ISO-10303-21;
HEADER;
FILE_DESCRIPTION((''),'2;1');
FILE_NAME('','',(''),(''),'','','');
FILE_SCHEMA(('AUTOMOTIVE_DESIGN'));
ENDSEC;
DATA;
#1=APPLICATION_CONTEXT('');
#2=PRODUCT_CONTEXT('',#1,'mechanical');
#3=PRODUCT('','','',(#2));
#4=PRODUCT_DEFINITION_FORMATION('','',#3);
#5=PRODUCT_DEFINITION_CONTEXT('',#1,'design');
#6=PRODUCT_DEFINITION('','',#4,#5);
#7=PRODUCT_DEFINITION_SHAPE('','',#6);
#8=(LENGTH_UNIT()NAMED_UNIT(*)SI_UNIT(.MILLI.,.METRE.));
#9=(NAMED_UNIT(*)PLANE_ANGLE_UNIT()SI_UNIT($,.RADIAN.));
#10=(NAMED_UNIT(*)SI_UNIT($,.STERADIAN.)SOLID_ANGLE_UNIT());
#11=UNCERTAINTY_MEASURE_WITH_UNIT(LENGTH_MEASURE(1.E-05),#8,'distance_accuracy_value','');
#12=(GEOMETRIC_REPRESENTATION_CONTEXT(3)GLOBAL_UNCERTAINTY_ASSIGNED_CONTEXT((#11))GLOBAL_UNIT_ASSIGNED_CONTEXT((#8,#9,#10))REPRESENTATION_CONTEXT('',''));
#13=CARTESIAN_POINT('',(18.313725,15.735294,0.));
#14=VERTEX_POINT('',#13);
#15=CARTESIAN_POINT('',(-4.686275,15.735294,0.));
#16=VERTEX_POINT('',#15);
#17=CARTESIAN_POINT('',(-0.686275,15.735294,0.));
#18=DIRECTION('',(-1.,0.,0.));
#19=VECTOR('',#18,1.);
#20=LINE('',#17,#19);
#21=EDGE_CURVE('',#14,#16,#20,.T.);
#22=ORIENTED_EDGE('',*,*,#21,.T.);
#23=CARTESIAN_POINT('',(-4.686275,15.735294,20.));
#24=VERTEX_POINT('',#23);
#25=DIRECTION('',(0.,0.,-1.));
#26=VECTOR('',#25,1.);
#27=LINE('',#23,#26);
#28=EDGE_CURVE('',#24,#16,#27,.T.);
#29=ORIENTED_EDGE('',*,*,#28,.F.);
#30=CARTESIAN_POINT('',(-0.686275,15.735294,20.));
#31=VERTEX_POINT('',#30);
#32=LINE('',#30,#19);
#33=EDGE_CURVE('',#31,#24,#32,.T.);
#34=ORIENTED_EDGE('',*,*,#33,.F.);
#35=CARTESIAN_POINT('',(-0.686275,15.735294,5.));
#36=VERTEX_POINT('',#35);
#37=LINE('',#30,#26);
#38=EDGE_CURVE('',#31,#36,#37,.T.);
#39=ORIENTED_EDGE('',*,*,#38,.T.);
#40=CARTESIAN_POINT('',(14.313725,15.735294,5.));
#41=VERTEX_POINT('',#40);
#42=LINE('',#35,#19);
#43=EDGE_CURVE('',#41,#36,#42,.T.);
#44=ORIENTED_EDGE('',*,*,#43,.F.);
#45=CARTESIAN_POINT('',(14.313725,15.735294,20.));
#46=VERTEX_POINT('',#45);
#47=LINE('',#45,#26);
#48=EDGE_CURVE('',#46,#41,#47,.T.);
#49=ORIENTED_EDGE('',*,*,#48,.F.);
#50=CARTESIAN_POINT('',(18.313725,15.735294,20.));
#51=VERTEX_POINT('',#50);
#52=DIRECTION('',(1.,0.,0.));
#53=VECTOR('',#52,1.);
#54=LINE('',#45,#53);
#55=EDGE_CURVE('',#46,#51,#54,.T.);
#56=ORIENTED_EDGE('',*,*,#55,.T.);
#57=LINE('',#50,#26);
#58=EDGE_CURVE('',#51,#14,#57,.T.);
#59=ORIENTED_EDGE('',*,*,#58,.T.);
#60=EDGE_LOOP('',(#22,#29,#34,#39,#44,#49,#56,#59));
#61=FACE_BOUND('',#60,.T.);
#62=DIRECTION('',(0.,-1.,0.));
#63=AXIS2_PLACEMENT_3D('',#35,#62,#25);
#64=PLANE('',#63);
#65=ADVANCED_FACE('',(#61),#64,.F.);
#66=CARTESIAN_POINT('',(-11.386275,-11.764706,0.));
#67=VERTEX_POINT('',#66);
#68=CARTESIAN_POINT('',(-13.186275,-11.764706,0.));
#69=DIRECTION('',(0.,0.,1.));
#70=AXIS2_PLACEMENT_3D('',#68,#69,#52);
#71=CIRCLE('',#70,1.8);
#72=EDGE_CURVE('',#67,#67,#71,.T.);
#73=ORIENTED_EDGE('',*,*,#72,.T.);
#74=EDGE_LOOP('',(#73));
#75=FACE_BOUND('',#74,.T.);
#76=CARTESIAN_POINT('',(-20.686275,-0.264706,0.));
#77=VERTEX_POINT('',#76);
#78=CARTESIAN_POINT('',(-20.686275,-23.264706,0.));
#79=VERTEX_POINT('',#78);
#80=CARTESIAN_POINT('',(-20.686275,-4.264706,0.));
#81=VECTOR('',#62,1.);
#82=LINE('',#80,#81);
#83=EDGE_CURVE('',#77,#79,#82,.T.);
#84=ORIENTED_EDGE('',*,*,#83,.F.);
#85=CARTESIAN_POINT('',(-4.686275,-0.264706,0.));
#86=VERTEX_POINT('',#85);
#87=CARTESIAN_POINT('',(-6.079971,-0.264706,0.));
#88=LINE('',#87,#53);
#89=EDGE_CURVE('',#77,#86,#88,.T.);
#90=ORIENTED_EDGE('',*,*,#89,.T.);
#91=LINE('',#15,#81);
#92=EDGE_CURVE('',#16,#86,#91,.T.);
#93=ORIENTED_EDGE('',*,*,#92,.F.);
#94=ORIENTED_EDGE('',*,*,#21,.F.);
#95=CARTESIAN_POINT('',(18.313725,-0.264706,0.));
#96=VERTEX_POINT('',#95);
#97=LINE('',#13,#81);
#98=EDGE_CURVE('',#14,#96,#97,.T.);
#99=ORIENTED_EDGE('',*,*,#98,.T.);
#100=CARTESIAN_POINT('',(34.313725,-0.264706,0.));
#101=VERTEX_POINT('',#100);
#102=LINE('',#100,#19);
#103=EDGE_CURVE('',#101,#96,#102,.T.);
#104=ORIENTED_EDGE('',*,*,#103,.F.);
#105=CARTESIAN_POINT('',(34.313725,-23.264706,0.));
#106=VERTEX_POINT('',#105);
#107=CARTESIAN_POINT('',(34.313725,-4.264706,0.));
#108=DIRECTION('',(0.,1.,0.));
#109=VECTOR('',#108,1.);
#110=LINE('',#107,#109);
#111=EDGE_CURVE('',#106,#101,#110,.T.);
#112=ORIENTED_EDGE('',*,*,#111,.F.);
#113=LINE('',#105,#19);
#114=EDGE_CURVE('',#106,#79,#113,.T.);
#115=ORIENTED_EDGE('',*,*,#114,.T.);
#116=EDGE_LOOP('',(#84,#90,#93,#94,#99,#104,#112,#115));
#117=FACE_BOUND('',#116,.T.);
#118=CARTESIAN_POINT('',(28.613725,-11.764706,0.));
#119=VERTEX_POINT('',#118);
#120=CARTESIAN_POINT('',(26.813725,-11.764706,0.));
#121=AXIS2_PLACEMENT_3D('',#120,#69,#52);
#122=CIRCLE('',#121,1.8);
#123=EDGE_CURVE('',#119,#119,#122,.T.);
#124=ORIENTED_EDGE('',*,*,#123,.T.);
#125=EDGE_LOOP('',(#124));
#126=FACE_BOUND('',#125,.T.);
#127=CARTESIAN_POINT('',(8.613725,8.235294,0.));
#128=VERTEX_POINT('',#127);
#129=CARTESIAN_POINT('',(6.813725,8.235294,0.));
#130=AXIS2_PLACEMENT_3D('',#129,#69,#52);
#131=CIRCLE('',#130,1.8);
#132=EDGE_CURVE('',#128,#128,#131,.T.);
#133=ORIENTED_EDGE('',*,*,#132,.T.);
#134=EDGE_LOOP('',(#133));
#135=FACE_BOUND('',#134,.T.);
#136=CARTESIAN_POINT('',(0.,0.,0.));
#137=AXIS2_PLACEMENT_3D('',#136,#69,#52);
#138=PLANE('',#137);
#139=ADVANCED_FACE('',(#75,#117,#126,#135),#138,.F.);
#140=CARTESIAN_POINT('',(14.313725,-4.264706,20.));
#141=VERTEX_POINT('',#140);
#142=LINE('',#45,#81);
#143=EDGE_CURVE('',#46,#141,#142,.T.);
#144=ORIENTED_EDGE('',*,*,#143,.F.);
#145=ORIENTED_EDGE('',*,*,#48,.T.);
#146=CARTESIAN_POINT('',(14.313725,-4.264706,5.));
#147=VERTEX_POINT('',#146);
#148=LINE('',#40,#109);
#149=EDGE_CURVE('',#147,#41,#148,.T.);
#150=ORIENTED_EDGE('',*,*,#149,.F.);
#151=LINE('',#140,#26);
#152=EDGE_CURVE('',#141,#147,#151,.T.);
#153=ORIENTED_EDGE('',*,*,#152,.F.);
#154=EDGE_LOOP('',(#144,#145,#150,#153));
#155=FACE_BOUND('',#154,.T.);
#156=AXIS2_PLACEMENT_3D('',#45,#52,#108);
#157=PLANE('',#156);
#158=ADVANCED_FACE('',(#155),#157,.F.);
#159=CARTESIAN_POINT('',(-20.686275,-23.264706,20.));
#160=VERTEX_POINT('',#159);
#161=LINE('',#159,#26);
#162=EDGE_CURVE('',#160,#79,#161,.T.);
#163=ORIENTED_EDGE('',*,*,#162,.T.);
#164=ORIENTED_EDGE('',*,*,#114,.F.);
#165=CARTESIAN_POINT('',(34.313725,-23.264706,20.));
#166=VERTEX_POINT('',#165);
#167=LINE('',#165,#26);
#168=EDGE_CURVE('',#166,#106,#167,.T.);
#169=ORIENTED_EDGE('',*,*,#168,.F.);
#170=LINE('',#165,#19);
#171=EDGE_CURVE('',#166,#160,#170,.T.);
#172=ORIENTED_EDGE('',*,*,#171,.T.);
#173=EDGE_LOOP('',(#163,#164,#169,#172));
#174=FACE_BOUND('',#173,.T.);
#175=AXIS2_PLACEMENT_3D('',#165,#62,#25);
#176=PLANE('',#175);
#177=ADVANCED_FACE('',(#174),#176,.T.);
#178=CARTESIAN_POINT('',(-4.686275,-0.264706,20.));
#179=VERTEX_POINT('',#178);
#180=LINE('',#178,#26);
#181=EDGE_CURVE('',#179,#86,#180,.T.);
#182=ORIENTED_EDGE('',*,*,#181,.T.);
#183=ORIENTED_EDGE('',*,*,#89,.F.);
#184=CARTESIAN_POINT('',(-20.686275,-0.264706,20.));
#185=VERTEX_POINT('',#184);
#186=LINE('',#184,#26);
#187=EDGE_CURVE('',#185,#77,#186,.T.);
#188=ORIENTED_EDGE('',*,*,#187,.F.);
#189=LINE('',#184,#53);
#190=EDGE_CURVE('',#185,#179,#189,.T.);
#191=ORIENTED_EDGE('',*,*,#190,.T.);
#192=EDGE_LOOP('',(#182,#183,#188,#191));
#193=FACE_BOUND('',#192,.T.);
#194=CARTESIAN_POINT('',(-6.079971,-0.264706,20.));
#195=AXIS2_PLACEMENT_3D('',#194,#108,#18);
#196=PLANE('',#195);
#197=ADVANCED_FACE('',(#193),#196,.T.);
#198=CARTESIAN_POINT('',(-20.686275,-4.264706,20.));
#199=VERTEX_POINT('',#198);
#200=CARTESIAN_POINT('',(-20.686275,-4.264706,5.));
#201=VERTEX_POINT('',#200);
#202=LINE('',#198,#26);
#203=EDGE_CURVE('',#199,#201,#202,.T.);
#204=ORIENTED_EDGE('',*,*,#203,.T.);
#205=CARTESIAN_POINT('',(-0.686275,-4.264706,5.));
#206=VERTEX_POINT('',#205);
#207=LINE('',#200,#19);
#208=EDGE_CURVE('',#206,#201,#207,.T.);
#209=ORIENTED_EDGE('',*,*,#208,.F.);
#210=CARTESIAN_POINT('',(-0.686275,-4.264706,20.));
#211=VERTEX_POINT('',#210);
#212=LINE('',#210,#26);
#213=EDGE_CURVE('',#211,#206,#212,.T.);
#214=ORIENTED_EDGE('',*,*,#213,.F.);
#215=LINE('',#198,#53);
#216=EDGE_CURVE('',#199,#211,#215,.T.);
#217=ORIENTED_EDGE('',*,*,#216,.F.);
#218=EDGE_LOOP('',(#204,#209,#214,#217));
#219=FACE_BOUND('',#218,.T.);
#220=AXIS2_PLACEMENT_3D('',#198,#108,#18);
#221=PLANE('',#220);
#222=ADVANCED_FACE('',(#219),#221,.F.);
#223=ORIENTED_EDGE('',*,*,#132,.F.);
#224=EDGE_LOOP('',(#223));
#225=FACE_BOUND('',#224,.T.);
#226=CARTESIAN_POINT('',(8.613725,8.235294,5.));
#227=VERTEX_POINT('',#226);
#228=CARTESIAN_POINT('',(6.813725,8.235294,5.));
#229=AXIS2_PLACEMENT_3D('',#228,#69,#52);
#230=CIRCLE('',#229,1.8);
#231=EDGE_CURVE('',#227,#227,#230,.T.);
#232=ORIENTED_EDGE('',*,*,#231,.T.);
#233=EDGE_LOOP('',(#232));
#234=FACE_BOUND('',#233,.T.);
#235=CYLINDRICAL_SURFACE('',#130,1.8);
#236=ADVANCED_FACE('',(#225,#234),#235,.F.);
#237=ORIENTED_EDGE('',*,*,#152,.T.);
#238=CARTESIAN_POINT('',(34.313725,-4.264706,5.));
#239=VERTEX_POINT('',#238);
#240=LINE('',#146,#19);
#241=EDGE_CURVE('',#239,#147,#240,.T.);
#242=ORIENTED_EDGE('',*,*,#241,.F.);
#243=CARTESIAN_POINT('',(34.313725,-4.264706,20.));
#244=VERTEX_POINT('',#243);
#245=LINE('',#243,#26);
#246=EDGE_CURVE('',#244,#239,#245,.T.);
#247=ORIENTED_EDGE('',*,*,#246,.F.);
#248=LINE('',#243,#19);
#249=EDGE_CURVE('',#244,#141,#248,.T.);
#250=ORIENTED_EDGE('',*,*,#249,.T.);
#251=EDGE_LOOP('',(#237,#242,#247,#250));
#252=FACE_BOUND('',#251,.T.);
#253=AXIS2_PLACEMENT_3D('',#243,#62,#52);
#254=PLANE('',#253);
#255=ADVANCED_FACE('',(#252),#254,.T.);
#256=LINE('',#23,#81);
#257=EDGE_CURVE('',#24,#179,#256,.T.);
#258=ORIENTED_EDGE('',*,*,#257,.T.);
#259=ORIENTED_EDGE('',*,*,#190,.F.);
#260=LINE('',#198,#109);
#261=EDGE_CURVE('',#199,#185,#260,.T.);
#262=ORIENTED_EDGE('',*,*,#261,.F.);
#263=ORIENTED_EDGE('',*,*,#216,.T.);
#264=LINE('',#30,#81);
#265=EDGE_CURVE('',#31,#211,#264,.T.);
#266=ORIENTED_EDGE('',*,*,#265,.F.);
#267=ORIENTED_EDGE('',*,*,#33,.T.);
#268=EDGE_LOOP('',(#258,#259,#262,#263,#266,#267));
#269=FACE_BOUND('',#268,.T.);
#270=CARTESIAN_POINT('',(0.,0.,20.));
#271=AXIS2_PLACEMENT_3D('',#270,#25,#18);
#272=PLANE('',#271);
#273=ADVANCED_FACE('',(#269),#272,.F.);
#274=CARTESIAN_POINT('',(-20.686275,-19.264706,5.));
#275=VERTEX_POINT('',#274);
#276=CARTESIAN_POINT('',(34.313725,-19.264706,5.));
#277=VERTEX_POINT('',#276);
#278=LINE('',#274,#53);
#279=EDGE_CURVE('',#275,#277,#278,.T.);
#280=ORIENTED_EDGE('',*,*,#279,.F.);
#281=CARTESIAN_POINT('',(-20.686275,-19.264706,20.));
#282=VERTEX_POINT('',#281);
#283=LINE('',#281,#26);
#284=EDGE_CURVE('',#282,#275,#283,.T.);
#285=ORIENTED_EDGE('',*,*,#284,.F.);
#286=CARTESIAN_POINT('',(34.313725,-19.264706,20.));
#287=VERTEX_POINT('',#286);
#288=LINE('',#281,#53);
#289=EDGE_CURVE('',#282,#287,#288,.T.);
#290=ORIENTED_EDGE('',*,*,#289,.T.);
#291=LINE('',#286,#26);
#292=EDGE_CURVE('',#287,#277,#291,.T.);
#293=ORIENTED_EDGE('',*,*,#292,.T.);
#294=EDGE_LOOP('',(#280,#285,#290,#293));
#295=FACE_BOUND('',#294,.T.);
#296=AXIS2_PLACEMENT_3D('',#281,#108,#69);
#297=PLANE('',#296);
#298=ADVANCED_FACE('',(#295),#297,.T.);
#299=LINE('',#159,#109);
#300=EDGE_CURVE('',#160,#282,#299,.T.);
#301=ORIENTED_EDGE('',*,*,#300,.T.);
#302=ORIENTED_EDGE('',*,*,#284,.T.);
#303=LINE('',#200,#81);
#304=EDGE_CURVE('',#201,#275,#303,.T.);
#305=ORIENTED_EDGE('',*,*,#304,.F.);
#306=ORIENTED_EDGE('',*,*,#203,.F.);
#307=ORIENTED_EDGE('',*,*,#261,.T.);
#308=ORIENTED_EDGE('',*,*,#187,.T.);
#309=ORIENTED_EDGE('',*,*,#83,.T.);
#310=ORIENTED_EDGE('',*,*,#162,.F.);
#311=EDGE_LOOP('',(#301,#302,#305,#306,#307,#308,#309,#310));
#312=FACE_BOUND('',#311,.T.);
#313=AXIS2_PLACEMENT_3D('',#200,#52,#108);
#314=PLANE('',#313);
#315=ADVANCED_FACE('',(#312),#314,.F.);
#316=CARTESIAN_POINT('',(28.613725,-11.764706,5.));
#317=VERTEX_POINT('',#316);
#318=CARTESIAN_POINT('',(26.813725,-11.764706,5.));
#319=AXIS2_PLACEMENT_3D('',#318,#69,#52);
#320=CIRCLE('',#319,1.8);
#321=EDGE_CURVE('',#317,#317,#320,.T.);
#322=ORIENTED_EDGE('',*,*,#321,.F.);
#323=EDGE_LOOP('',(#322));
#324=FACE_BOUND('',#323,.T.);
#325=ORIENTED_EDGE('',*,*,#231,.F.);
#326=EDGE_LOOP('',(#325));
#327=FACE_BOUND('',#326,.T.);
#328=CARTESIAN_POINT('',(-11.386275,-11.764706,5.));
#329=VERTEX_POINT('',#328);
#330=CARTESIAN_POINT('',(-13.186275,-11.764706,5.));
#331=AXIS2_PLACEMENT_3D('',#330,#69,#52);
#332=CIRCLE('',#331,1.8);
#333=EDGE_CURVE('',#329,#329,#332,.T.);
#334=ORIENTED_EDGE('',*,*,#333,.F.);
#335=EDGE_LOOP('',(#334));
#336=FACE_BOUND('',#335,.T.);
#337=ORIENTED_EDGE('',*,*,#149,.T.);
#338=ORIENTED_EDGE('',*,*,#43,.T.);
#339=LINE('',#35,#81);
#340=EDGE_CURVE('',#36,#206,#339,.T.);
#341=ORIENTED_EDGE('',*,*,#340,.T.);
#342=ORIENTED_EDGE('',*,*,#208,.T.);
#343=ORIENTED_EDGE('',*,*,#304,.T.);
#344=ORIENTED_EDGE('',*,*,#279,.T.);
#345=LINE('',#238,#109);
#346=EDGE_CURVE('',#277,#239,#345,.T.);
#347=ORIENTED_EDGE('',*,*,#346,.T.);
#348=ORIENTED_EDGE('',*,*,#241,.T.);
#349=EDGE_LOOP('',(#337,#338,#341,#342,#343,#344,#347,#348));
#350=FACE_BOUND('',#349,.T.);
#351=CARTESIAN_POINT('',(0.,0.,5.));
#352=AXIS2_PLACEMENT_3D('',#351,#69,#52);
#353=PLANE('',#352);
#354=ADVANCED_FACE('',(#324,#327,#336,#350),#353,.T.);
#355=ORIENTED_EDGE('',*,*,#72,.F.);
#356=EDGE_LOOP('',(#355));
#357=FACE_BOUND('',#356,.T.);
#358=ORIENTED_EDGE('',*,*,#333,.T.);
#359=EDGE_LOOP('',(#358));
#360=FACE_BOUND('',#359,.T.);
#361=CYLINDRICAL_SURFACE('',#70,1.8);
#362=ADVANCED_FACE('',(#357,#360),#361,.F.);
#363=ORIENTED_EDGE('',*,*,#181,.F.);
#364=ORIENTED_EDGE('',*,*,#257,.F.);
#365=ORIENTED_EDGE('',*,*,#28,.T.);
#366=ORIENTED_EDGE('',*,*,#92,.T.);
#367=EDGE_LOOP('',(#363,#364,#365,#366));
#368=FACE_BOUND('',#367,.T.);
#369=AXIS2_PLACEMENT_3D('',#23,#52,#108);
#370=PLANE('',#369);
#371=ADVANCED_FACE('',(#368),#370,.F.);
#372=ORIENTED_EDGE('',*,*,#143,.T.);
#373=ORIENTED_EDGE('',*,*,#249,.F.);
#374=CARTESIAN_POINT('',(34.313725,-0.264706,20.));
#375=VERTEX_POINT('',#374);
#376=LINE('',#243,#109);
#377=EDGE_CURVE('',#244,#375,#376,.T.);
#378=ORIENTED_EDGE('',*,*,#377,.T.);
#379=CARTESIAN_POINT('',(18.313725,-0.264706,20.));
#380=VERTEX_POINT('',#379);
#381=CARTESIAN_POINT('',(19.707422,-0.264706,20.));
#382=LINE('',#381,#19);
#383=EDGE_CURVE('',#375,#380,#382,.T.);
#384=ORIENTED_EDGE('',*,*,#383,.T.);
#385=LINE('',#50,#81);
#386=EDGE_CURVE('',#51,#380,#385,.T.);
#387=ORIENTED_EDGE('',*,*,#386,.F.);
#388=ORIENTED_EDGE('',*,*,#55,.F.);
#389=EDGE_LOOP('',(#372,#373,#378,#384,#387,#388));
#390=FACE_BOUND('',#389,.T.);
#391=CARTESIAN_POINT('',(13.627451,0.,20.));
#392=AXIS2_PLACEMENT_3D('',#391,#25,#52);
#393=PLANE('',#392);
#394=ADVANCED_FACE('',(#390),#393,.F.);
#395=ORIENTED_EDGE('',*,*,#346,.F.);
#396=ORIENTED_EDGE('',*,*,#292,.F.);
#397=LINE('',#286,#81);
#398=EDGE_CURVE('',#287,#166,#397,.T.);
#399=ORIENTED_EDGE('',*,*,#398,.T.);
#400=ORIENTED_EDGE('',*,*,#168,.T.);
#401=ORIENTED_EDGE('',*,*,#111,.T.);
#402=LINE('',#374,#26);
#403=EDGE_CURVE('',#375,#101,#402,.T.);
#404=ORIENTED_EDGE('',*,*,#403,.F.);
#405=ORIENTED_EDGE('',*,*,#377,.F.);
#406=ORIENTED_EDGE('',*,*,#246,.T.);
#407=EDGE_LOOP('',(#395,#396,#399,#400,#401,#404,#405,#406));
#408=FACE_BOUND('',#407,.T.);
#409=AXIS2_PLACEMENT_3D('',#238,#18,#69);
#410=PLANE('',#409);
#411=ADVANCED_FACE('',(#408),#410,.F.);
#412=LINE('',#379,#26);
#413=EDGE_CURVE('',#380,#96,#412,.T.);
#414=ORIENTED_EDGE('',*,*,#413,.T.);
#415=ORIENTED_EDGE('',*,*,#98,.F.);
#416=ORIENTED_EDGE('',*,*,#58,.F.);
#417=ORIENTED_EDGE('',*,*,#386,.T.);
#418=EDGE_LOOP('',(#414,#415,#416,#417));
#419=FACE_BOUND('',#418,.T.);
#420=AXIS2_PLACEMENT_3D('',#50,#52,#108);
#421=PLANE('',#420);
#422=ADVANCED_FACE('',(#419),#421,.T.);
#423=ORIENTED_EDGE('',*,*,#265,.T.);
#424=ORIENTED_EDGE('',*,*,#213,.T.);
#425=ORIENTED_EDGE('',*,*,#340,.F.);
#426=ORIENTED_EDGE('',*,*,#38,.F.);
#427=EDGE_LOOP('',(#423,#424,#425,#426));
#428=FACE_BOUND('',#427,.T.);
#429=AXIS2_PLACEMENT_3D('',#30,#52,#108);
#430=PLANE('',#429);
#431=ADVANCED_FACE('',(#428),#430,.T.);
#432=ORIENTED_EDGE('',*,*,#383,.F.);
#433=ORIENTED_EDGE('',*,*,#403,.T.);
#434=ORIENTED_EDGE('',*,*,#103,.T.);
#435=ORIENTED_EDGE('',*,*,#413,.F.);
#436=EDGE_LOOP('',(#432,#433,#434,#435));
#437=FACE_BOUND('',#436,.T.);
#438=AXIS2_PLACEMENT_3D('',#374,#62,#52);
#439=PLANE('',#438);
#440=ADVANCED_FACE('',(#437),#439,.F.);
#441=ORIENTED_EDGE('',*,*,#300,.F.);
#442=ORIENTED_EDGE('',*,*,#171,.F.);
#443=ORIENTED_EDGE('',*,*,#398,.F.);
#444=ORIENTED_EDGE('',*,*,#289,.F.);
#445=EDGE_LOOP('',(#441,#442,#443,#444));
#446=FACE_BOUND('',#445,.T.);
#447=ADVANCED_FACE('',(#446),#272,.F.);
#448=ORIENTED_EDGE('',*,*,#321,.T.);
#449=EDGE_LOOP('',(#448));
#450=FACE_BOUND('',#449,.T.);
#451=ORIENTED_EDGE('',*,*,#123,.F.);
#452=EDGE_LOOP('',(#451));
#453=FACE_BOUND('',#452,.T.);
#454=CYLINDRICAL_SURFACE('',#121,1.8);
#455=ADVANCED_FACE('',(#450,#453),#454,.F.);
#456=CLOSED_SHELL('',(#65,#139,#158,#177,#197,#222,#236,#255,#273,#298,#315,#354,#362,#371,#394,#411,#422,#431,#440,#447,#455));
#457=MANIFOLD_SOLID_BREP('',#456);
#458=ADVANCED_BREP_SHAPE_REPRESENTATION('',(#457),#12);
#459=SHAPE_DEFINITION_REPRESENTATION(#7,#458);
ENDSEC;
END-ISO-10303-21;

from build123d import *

# Parameters (mm, degrees)
BOSS_EXTRUDE1_DEPTH = 5
BOSS_EXTRUDE2_DEPTH = 20
SKETCH4_W           = 55
SKETCH4_H           = 4
BOSS_EXTRUDE3_DEPTH = 20
SKETCH6_R           = 1.8
CUT_EXTRUDE3_DEPTH  = 6


with BuildPart() as part:
    # Sketch1 → Boss-Extrude1 (new body)
    with BuildSketch(Plane.XY):
        Polygon((14.31372549, -4.264705882), (34.31372549, -4.264705882), (34.31372549, -19.264705882), (-20.68627451, -19.264705882), (-20.68627451, -4.264705882), (-0.68627451, -4.264705882), (-0.68627451, 15.735294118), (14.31372549, 15.735294118), align=None)
    extrude(amount=BOSS_EXTRUDE1_DEPTH)

    # Sketch2 → Boss-Extrude2 (add)
    with BuildSketch(Plane(origin=(0, 0, 0), x_dir=(-1, 0, 0), z_dir=(0, 0, -1))):
        Polygon((0.68627451, 15.735294118), (4.68627451, 15.735294118), (4.68627451, -0.264705882), (6.079970528, -0.264705882), (20.68627451, -0.264705882), (20.68627451, -4.264705882), (0.68627451, -4.264705882), align=None)
    boss_extrude2 = extrude(amount=-BOSS_EXTRUDE2_DEPTH)

    # Sketch4 → Boss-Extrude3 (add)
    with BuildSketch(Plane(origin=(0, 0, 0), x_dir=(-1, 0, 0), z_dir=(0, 0, -1))):
        with Locations((-6.81372549, -21.264705882)):
            Rectangle(SKETCH4_W, SKETCH4_H)
    extrude(amount=-BOSS_EXTRUDE3_DEPTH)

    # Mirror1: Boss-Extrude2 across plane
    add(boss_extrude2.mirror(Plane.ZY.offset(-6.81372549)))

    # Sketch6 → Cut-Extrude3 (cut, through all)
    with BuildSketch(Plane.XY.offset(5)):
        with Locations((6.81372549, 8.235294118)):
            Circle(SKETCH6_R)
        with Locations((-13.18627451, -11.764705882)):
            Circle(SKETCH6_R)
        with Locations((26.81372549, -11.764705882)):
            Circle(SKETCH6_R)
    extrude(amount=-CUT_EXTRUDE3_DEPTH, mode=Mode.SUBTRACT)


solid = part.part
